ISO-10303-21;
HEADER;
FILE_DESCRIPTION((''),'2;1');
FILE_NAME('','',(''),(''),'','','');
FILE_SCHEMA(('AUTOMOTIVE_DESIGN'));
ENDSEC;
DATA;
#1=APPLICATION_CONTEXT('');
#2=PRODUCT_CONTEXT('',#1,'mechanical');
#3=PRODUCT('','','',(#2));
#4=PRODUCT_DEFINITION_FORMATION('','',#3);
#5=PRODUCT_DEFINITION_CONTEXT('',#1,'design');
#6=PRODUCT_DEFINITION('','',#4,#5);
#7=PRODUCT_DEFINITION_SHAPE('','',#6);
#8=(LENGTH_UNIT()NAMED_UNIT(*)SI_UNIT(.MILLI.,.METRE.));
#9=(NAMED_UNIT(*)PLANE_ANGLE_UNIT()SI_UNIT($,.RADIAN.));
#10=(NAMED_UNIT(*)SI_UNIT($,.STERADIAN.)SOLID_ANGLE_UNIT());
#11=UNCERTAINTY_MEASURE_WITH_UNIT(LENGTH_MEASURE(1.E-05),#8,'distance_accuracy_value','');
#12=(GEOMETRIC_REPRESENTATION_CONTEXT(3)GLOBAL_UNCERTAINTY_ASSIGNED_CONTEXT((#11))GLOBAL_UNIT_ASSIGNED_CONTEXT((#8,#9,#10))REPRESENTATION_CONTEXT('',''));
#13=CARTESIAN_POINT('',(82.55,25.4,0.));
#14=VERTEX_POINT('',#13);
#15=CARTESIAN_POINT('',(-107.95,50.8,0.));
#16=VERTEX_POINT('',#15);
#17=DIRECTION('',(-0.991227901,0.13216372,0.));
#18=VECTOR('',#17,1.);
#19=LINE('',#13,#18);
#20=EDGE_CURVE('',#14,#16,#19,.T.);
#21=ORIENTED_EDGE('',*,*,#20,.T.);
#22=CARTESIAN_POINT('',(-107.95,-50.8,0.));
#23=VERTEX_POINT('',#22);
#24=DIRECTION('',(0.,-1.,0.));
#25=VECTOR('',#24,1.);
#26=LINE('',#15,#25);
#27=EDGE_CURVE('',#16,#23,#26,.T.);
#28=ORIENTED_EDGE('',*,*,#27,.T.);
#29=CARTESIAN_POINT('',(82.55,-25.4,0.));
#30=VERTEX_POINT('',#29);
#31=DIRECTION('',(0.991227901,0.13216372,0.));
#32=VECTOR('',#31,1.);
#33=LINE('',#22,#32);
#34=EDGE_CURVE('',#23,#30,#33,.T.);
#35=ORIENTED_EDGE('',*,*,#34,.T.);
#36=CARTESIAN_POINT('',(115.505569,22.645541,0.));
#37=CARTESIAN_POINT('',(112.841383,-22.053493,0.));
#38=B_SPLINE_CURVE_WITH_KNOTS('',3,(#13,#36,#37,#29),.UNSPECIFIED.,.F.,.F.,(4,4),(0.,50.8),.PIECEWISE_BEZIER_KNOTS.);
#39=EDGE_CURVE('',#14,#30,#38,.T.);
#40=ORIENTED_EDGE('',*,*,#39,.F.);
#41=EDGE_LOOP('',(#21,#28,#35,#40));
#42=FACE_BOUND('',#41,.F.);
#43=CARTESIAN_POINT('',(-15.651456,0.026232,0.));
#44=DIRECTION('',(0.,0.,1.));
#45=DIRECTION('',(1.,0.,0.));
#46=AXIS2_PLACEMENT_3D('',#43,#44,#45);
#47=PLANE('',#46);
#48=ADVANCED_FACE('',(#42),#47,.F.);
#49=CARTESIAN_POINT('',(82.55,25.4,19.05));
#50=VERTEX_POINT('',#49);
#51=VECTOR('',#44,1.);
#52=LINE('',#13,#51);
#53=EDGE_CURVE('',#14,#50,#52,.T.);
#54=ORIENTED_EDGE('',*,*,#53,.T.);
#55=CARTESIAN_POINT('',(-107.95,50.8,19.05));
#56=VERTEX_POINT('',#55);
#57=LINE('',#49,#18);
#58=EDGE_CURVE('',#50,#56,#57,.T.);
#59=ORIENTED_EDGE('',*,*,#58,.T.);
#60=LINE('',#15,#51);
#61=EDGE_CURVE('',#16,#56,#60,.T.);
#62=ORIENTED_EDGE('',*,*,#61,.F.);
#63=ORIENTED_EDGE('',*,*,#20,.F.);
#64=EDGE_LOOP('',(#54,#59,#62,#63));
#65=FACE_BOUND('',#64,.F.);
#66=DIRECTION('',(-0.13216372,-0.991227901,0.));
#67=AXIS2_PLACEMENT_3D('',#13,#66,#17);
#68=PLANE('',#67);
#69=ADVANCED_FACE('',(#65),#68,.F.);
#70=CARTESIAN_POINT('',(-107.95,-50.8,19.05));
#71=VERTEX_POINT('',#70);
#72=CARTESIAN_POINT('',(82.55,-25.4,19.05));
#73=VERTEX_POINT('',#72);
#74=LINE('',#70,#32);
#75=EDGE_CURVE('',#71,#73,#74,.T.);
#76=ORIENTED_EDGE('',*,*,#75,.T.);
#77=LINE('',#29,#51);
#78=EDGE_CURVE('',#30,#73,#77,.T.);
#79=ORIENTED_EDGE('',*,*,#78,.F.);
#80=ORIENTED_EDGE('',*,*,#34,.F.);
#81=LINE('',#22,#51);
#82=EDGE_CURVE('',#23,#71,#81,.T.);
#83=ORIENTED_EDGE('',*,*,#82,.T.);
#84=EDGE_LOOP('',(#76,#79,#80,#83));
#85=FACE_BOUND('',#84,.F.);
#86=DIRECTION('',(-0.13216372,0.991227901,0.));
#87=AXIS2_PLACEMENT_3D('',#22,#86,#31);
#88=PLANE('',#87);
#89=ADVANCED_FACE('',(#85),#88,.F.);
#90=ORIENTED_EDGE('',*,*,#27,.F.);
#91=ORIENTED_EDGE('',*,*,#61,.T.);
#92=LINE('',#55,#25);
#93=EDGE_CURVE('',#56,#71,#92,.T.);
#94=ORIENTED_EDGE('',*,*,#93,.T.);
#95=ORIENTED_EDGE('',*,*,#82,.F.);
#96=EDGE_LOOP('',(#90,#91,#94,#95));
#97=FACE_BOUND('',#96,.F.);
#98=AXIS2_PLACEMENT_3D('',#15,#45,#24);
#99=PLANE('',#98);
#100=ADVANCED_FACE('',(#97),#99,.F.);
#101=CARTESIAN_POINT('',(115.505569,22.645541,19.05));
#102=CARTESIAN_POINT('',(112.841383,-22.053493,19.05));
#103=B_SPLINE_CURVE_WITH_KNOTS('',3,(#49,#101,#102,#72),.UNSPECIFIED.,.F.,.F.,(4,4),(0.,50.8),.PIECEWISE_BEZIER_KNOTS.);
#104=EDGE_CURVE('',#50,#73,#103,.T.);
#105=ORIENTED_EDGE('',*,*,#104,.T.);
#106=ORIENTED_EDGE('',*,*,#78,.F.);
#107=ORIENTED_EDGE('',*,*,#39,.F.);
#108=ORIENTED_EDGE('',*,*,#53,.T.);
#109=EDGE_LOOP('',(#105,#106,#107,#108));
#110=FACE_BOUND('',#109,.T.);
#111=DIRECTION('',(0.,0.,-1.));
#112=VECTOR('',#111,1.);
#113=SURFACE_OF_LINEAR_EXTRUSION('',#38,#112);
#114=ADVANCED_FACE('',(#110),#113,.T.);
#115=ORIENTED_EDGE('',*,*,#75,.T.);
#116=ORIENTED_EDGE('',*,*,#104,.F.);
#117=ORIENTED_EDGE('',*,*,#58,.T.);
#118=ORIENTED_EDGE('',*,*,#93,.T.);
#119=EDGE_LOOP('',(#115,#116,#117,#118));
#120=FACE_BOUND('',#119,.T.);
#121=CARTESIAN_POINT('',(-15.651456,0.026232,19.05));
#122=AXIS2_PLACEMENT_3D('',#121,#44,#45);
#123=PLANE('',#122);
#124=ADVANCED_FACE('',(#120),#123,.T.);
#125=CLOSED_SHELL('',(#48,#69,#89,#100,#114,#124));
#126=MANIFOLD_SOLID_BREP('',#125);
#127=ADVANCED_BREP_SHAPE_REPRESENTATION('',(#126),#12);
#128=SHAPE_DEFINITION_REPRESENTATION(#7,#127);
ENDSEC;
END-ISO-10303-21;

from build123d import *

# Parameters (mm, degrees)
F1_DEPTH = 19.05


with BuildPart() as f1:
    # F0 (on Top) → F1 (new body)
    with BuildSketch(Plane.XY):
        with BuildLine():
            Line((-107.95, 50.8), (-107.95, -50.8))
            Line((-107.95, -50.8), (82.55, -25.4))
            add(Edge.make_bspline(
                [(82.55, 25.4), (115.505569, 22.645541), (112.841383, -22.053493), (82.55, -25.4)],
                knots=[0, 0, 0, 0, 50.8, 50.8, 50.8, 50.8], degree=3))
            Line((82.55, 25.4), (-107.95, 50.8))
        make_face()
    extrude(amount=F1_DEPTH)


solid = f1.part
